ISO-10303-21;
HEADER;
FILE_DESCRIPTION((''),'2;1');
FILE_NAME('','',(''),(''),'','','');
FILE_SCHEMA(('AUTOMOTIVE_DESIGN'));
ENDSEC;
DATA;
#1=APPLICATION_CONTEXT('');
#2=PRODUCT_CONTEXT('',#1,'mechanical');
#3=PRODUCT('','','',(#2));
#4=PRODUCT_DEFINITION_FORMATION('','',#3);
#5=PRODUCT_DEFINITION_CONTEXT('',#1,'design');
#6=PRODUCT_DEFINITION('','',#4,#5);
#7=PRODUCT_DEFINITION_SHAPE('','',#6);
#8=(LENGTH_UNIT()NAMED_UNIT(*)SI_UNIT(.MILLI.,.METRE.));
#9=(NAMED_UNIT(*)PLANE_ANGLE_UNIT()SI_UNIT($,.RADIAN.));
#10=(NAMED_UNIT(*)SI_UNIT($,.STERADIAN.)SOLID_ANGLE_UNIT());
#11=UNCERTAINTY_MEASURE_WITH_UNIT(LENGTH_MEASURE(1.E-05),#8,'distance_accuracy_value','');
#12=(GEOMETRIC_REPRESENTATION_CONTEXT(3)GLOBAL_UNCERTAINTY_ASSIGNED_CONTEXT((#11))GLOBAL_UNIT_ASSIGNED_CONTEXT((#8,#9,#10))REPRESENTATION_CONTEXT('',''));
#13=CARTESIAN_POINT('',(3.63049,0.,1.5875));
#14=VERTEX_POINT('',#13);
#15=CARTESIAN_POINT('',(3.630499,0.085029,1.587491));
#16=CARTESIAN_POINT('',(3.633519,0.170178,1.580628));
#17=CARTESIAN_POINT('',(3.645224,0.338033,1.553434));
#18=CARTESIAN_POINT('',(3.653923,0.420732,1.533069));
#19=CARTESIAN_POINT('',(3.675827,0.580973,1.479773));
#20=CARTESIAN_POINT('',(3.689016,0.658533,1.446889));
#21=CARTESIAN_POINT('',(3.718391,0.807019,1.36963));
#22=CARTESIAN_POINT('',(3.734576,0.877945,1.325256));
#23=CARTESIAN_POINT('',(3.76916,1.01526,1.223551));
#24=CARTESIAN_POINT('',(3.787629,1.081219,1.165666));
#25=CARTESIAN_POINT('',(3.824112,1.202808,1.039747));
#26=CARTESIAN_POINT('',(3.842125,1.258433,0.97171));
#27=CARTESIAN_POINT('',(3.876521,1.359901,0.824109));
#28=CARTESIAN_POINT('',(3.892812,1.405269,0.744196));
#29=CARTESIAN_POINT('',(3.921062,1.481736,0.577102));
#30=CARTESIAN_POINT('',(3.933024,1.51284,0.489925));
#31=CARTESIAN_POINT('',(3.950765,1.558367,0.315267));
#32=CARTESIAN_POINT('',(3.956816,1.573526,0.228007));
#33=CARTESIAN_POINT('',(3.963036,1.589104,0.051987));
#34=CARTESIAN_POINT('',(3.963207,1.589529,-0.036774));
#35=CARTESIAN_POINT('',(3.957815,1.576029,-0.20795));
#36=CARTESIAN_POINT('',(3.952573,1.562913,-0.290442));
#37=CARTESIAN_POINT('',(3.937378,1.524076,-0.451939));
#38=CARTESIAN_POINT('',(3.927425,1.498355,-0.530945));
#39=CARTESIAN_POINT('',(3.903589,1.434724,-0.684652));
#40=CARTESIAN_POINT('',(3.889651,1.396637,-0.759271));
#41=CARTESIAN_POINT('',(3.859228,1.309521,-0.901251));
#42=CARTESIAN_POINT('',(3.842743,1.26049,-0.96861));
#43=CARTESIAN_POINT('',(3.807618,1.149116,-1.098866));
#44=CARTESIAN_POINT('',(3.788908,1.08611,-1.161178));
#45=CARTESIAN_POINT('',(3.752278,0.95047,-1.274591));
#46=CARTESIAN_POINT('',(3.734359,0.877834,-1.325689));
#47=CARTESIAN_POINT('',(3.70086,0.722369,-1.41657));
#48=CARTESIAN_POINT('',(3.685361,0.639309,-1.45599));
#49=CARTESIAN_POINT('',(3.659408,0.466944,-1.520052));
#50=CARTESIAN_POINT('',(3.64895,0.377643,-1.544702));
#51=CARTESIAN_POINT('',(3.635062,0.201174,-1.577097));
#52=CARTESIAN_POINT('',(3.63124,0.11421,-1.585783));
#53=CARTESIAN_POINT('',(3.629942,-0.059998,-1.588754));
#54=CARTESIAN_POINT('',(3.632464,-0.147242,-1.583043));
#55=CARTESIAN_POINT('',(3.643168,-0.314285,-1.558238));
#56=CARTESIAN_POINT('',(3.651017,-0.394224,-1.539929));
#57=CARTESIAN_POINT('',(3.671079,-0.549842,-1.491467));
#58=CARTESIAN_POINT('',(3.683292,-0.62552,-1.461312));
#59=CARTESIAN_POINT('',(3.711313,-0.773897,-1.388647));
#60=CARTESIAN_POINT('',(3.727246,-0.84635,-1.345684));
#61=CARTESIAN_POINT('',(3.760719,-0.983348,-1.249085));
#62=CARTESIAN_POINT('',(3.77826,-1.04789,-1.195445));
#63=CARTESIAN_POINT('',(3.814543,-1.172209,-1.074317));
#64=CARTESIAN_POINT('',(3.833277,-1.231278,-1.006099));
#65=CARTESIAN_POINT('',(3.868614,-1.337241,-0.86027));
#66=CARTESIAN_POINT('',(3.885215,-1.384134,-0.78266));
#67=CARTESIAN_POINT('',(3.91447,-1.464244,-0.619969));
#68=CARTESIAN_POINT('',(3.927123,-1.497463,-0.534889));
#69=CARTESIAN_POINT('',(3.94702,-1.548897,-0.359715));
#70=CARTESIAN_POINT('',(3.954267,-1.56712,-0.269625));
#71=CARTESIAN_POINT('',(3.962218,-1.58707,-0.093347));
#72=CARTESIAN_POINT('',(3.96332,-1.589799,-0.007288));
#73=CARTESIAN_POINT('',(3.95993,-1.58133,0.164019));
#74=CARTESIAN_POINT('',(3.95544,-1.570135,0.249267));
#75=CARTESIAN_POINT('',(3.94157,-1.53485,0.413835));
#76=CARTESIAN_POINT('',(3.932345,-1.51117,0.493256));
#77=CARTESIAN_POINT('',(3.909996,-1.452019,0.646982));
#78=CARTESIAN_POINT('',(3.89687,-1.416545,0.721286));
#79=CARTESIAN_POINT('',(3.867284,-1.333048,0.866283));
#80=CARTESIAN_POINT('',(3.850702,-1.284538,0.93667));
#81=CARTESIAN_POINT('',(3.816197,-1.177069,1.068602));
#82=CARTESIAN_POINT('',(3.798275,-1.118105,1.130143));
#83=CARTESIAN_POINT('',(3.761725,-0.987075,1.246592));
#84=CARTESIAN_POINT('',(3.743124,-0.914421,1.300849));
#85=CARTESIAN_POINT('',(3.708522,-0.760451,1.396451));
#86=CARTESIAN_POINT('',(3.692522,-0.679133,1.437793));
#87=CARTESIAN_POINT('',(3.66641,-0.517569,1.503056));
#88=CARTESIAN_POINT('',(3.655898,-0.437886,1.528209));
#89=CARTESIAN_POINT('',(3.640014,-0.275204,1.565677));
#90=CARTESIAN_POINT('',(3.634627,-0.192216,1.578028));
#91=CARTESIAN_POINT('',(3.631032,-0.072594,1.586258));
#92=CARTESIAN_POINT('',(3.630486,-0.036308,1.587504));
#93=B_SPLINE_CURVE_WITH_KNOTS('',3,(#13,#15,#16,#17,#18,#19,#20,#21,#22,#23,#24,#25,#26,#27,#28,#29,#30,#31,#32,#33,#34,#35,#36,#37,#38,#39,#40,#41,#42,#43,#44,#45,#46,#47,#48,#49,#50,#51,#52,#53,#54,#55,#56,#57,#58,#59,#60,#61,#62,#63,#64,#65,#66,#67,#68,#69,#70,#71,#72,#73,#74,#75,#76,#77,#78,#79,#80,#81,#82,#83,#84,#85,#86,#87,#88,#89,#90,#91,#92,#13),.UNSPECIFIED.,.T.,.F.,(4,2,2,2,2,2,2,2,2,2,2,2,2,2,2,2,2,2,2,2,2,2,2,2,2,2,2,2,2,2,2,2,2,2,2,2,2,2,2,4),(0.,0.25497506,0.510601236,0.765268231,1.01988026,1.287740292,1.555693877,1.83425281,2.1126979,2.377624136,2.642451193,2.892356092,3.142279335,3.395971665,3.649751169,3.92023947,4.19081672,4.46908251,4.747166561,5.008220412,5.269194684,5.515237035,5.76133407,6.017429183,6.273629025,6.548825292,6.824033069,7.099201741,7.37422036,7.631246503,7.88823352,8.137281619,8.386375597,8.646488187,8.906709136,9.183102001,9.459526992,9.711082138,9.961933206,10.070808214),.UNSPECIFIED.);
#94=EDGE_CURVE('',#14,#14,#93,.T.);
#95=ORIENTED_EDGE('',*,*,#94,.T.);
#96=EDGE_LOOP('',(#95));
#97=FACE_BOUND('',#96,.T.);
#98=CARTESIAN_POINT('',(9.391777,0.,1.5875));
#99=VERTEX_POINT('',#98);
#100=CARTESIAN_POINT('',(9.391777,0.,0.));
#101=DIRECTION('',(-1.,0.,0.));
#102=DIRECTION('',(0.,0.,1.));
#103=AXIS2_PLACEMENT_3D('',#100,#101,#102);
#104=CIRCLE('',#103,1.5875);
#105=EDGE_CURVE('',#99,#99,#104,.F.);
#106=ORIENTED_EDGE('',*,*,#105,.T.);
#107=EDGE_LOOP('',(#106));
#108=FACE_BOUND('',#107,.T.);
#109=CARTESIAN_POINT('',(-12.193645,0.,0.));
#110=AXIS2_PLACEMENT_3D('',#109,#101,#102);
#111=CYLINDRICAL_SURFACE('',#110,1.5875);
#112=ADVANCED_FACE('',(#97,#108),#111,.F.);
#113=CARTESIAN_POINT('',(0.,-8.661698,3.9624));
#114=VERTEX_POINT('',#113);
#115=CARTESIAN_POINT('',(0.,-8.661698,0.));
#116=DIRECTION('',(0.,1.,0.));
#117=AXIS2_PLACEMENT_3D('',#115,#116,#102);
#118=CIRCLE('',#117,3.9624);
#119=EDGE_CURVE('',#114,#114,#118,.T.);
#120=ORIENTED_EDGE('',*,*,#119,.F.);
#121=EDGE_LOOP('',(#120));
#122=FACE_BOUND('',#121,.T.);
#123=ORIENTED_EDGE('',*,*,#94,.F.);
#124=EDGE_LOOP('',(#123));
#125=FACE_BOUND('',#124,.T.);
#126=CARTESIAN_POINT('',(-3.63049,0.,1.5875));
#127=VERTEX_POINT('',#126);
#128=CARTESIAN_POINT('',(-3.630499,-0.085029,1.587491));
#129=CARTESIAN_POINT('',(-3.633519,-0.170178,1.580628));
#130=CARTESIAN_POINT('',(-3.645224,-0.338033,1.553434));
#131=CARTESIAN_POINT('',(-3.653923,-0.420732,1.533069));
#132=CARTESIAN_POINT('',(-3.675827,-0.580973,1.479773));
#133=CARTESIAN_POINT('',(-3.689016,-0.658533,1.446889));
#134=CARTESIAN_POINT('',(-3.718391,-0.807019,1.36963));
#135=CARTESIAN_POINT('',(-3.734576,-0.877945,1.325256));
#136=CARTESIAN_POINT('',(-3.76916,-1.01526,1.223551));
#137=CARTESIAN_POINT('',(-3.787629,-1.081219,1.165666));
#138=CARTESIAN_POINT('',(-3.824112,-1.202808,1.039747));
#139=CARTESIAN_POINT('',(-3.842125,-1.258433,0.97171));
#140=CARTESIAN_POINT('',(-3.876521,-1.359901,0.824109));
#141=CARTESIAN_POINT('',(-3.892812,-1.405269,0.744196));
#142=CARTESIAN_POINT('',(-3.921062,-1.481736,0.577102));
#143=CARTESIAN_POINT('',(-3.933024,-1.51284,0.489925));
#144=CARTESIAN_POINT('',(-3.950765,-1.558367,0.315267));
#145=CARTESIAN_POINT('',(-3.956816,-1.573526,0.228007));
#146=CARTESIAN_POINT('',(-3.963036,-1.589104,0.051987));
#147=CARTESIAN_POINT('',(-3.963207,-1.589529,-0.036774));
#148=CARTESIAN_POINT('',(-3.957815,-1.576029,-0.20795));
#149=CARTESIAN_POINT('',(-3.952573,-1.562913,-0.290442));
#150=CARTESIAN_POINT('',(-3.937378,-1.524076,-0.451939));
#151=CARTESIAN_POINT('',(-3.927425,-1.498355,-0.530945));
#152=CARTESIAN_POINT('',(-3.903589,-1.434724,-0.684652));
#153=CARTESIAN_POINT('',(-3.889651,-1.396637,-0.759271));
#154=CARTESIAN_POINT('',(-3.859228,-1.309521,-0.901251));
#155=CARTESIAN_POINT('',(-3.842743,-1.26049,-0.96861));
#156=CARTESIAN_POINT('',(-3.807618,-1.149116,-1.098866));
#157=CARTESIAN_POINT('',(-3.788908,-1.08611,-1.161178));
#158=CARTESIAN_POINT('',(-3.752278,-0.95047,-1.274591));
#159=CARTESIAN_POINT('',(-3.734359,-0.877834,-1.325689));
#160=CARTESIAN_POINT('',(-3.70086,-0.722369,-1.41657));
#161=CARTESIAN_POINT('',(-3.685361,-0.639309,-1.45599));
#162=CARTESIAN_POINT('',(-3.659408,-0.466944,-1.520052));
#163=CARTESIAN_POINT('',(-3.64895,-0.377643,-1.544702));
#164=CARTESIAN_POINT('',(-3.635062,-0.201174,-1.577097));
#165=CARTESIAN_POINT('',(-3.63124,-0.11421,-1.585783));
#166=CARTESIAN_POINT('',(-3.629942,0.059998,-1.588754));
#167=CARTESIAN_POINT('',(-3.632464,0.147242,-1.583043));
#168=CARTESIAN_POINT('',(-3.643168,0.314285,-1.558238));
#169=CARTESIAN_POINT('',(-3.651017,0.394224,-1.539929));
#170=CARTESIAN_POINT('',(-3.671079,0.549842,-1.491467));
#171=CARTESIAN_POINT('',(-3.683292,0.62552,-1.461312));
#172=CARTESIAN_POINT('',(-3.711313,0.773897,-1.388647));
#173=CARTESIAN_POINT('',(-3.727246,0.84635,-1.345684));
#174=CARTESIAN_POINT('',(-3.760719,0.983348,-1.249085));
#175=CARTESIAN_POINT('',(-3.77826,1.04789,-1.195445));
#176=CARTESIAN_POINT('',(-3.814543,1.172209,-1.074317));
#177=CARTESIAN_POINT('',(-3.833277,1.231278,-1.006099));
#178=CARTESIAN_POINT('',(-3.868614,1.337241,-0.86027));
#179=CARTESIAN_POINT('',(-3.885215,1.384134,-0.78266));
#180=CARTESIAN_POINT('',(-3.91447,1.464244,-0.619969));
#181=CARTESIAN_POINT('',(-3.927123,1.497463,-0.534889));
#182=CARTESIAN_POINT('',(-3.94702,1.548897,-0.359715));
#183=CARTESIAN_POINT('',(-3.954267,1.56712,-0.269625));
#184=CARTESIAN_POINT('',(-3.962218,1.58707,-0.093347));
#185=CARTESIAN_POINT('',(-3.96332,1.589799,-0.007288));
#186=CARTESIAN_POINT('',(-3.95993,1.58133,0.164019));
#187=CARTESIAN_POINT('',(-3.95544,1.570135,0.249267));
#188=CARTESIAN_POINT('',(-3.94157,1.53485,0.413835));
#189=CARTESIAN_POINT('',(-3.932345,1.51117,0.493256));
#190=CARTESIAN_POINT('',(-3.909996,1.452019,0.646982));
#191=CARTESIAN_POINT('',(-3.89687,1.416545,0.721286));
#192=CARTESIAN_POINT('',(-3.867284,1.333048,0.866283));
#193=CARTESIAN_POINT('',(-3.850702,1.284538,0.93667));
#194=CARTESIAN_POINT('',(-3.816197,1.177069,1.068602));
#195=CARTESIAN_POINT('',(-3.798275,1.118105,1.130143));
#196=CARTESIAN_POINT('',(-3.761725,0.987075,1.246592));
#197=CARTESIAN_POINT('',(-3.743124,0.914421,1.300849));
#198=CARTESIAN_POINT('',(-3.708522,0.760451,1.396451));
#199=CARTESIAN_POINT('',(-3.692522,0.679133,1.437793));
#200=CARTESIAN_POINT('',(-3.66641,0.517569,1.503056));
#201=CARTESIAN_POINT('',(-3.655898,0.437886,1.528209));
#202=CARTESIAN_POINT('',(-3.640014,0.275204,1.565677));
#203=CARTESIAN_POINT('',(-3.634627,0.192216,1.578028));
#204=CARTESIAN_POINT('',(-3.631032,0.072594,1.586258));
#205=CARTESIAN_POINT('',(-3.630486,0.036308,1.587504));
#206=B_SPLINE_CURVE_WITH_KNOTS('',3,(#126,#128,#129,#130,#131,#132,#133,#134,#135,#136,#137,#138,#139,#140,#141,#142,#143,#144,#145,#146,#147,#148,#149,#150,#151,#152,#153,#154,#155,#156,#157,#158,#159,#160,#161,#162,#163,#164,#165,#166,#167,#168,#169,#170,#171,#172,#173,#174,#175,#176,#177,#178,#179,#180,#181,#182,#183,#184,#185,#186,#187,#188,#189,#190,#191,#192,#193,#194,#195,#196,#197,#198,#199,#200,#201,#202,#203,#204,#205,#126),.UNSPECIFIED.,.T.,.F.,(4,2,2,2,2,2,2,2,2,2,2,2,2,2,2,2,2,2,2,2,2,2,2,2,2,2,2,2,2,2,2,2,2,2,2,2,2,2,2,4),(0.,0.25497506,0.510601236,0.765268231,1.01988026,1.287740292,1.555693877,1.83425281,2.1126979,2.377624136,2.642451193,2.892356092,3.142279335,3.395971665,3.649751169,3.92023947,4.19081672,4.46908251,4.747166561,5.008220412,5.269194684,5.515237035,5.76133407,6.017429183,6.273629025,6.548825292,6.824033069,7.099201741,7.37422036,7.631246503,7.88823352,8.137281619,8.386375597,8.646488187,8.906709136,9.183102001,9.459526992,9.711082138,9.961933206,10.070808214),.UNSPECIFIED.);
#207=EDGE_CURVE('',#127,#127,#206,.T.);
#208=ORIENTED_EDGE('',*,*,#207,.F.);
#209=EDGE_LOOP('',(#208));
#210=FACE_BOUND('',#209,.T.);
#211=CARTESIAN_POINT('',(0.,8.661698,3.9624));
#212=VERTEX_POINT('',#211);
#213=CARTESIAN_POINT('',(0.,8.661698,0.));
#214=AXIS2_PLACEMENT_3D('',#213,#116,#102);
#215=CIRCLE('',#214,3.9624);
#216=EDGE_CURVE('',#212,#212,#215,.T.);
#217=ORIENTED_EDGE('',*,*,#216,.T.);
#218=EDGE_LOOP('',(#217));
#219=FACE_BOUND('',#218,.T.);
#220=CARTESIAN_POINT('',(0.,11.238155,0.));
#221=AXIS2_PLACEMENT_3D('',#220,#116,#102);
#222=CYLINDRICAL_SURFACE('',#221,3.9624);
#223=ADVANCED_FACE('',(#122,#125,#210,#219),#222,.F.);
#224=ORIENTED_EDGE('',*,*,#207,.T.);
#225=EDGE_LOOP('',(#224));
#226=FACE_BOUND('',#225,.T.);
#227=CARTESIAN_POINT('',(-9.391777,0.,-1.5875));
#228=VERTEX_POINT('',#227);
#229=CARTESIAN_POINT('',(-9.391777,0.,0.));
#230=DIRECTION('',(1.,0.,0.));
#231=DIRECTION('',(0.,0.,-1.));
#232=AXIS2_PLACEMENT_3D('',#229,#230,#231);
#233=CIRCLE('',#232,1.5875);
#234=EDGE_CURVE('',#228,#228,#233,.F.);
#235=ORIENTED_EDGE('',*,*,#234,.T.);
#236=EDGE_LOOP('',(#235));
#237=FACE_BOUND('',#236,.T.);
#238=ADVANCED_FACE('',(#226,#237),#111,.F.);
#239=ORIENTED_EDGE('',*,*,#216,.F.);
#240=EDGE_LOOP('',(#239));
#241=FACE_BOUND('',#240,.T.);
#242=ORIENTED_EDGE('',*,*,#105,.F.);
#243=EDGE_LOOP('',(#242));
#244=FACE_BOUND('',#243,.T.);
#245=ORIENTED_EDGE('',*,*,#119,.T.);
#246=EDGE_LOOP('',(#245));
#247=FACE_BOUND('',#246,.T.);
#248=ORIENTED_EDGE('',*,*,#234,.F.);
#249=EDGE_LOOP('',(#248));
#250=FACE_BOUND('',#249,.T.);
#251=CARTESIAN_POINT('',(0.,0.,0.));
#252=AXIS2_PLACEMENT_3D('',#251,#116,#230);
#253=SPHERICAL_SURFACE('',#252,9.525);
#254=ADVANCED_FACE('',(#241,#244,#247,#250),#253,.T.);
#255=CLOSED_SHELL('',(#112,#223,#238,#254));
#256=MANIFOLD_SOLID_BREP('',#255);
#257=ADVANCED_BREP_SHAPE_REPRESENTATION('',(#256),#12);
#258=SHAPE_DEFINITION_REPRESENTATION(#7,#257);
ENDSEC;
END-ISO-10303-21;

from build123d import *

# Parameters (mm, degrees)
SKETCH2_W = 25.077496915
SKETCH2_H = 1.5875


with BuildPart() as part:
    # Sketch1 → Revolve1 (revolve)
    with BuildSketch(Plane.XY):
        with BuildLine():
            Line((3.9624, 8.661697942), (3.9624, -8.661697942))
            ThreePointArc((3.9624, -8.661697942), (9.525, 0), (3.9624, 8.661697942))
        make_face()
    revolve(axis=Axis((0, 11.238154958, 0), (0, -1, 0)))

    # Sketch2 → Cut-Revolve1 (revolve, cut)
    with BuildSketch(Plane.XY, mode=Mode.PRIVATE) as cut_revolve1_sk:
        with Locations((0.345103168, 0.79375)):
            Rectangle(SKETCH2_W, SKETCH2_H)
    revolve(cut_revolve1_sk.sketch.rotate(Axis((-12.193645289, 0, 0), (1, 0, 0)), 90), axis=Axis((-12.193645289, 0, 0), (1, 0, 0)), mode=Mode.SUBTRACT)


solid = part.part
